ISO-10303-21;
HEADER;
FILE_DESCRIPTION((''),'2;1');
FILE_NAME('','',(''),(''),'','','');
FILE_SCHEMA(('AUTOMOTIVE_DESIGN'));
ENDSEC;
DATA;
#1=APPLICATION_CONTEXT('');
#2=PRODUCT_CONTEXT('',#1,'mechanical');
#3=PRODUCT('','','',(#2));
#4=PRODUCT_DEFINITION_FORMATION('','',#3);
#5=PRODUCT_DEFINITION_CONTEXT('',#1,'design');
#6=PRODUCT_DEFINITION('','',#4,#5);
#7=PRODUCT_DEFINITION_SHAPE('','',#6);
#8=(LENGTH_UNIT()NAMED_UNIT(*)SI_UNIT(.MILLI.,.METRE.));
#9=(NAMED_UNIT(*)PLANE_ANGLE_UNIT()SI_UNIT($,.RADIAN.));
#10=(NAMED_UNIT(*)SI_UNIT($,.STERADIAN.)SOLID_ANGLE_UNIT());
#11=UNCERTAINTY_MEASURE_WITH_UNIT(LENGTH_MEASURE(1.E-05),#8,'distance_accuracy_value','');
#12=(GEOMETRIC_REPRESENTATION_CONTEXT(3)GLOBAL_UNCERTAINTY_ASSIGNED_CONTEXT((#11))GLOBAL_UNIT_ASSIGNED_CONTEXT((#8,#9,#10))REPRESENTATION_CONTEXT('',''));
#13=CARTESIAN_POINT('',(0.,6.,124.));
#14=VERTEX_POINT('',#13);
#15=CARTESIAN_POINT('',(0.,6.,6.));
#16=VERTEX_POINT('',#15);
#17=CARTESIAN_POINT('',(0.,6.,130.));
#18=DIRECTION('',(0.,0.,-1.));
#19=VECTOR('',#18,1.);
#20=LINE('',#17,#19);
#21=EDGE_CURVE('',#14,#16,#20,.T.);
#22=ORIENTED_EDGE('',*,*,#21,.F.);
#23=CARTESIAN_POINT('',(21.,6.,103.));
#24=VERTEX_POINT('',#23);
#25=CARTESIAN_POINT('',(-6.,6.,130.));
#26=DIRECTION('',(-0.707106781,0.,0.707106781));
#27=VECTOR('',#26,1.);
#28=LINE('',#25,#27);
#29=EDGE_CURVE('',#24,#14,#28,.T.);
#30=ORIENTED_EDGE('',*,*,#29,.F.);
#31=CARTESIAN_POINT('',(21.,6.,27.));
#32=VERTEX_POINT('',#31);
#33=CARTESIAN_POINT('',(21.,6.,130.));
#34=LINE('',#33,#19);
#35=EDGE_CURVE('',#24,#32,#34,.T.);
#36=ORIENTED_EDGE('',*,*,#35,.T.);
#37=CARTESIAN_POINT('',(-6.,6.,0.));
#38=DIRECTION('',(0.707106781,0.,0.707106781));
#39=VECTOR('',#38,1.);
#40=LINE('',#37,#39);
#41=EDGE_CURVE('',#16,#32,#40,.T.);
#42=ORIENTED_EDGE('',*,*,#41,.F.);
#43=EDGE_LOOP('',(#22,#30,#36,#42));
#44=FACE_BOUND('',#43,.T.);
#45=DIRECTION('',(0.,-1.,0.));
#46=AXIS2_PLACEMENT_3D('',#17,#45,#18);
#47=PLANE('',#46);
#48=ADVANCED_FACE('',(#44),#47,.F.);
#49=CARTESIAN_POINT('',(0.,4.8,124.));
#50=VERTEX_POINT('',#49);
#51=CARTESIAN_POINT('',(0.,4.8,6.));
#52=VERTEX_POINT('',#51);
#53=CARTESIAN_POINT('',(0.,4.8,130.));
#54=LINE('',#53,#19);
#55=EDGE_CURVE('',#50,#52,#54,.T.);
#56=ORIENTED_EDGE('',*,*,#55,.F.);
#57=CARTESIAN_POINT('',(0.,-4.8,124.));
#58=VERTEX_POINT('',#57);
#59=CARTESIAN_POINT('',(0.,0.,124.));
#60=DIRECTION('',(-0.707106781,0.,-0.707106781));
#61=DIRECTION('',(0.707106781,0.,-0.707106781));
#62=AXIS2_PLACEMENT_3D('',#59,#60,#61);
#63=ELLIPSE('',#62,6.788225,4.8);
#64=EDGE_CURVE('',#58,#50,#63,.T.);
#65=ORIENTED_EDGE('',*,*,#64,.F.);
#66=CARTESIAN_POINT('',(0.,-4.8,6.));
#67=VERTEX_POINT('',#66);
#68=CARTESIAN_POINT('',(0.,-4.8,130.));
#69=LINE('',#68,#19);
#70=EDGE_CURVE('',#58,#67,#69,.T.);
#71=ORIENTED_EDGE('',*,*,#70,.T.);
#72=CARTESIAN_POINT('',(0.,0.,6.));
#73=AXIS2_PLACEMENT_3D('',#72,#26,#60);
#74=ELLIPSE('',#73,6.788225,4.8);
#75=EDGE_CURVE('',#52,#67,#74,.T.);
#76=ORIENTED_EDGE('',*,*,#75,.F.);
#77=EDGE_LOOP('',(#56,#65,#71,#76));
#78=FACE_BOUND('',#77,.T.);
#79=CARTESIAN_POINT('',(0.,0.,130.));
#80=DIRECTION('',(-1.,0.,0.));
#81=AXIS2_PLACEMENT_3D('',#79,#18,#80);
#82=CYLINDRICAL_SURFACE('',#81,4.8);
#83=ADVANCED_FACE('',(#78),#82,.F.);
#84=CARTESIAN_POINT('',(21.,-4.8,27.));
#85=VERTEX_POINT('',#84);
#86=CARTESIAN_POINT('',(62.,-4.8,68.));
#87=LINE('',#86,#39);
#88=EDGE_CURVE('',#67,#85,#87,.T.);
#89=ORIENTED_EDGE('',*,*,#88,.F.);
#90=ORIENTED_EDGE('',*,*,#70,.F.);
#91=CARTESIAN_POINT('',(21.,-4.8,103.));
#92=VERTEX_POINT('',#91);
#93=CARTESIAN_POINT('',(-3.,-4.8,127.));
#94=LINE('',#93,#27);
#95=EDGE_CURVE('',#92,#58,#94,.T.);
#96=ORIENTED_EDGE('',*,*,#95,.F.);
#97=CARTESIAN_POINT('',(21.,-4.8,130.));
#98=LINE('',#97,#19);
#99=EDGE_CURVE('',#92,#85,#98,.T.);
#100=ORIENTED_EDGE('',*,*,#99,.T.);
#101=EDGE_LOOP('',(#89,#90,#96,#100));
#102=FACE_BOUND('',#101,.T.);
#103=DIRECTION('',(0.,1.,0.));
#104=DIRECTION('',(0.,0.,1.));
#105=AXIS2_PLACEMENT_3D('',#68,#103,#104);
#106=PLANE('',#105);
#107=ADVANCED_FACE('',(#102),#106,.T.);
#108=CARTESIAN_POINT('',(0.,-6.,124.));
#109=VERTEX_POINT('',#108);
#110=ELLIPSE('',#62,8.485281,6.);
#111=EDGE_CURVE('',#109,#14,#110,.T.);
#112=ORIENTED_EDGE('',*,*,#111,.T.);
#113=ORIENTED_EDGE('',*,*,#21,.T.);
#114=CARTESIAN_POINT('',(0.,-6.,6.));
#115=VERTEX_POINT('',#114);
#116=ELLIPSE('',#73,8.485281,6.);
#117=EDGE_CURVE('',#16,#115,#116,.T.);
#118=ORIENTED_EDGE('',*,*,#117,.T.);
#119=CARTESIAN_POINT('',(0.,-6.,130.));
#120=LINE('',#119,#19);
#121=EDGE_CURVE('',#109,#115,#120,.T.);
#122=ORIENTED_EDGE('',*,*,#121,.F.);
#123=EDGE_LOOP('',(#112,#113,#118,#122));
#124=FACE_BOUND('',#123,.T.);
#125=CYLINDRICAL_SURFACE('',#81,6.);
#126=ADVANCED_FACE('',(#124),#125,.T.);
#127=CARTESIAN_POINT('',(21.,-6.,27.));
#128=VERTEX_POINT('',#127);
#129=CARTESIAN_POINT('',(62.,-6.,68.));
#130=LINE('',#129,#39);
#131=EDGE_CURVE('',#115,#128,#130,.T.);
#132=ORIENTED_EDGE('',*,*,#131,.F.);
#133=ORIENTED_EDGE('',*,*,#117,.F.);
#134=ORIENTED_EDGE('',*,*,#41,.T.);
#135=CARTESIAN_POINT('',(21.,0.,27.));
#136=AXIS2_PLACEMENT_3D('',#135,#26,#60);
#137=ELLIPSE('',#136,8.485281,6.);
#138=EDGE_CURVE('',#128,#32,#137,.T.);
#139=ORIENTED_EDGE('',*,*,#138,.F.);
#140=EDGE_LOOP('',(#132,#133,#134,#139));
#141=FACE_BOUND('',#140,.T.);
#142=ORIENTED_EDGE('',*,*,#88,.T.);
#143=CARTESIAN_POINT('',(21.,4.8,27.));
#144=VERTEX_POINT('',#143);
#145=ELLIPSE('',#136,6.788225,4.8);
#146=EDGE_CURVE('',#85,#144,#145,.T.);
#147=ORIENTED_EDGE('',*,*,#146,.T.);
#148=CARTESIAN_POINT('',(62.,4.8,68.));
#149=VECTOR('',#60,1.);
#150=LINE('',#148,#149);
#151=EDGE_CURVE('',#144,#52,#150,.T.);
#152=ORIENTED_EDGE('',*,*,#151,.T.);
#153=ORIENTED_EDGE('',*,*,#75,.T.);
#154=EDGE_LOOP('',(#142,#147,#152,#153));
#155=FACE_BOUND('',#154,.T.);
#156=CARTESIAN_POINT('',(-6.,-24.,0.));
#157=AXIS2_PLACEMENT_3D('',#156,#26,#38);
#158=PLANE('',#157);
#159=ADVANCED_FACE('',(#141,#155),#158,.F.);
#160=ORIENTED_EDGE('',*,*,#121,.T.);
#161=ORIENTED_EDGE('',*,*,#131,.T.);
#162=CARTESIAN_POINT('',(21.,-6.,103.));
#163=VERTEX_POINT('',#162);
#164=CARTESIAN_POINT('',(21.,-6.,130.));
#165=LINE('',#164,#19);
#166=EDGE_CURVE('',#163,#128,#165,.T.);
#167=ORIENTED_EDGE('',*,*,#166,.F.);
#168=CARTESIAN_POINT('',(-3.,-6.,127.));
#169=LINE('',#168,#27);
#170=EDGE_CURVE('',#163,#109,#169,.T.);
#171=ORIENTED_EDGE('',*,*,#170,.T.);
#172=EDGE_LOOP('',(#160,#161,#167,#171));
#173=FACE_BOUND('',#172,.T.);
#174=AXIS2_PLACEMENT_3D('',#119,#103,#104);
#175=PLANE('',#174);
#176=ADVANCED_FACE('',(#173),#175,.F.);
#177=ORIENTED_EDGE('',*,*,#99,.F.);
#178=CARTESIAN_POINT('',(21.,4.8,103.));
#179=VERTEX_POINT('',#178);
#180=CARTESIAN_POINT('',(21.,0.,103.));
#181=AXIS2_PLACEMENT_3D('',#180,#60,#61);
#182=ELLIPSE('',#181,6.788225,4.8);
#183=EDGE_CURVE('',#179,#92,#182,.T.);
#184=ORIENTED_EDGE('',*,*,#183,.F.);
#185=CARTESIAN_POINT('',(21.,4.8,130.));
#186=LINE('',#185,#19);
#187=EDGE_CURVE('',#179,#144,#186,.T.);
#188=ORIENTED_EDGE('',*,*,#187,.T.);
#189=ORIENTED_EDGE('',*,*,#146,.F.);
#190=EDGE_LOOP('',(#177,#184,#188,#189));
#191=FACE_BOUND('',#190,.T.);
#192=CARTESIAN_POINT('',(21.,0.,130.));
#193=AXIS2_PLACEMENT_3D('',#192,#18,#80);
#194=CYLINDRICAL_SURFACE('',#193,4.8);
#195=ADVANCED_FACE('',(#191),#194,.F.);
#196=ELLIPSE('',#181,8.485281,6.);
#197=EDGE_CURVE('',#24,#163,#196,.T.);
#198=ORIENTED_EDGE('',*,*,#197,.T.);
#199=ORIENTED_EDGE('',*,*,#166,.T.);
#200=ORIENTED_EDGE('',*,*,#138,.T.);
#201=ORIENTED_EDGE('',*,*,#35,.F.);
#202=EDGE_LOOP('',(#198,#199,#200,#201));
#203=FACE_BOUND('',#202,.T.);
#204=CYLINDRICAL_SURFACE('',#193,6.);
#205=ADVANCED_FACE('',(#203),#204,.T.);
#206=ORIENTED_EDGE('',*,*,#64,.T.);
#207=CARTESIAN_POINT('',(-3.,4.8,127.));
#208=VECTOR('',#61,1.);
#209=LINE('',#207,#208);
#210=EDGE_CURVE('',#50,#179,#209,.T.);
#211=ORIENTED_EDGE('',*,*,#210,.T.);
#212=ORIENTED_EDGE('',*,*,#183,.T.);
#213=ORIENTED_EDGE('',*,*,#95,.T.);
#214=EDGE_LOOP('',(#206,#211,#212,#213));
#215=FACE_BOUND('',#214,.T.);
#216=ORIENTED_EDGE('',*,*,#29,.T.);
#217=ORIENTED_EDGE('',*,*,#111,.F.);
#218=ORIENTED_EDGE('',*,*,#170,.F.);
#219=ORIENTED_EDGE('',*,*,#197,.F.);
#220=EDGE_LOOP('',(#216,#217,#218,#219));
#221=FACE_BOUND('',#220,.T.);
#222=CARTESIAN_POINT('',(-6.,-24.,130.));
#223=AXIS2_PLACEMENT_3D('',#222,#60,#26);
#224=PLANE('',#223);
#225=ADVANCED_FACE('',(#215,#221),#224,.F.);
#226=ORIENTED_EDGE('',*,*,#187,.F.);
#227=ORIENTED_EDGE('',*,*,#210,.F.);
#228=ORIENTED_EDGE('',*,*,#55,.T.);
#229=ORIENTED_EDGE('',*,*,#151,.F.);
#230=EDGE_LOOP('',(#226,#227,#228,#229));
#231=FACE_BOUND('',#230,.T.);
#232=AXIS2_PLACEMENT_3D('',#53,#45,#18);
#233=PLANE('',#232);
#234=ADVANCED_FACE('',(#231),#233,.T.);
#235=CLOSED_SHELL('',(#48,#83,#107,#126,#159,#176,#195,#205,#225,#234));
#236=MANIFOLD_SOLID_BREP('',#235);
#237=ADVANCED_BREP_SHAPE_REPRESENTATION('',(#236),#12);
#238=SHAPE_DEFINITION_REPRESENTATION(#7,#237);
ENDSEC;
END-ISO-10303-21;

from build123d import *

# Parameters (mm, degrees)
BOSS_EXTRUDE1_DEPTH = 130
CUT_EXTRUDE1_DEPTH  = 30


with BuildPart() as part:
    # Sketch1 → Boss-Extrude1 (new body)
    with BuildSketch(Plane.XY):
        with BuildLine():
            Line((0, 6), (21, 6))
            ThreePointArc((21, 6), (27, 0), (21, -6))
            Line((21, -6), (0, -6))
            ThreePointArc((0, -6), (-6, 0), (0, 6))
        make_face()
        with BuildLine():
            Line((0, 4.8), (21, 4.8))
            ThreePointArc((21, 4.8), (25.8, 0), (21, -4.8))
            Line((21, -4.8), (0, -4.8))
            ThreePointArc((0, -4.8), (-4.8, 0), (0, 4.8))
        make_face(mode=Mode.SUBTRACT)
    extrude(amount=BOSS_EXTRUDE1_DEPTH)

    # Sketch2 → Cut-Extrude1 (cut)
    with BuildSketch(Plane(origin=(0, 6, 0), x_dir=(1, 0, 0), z_dir=(0, 1, 0))):
        Polygon((-6, 0), (27, -33), (27, 0), align=None)
        Polygon((-6, -130), (27, -97), (27, -130), align=None)
    extrude(amount=-CUT_EXTRUDE1_DEPTH, mode=Mode.SUBTRACT)


solid = part.part
